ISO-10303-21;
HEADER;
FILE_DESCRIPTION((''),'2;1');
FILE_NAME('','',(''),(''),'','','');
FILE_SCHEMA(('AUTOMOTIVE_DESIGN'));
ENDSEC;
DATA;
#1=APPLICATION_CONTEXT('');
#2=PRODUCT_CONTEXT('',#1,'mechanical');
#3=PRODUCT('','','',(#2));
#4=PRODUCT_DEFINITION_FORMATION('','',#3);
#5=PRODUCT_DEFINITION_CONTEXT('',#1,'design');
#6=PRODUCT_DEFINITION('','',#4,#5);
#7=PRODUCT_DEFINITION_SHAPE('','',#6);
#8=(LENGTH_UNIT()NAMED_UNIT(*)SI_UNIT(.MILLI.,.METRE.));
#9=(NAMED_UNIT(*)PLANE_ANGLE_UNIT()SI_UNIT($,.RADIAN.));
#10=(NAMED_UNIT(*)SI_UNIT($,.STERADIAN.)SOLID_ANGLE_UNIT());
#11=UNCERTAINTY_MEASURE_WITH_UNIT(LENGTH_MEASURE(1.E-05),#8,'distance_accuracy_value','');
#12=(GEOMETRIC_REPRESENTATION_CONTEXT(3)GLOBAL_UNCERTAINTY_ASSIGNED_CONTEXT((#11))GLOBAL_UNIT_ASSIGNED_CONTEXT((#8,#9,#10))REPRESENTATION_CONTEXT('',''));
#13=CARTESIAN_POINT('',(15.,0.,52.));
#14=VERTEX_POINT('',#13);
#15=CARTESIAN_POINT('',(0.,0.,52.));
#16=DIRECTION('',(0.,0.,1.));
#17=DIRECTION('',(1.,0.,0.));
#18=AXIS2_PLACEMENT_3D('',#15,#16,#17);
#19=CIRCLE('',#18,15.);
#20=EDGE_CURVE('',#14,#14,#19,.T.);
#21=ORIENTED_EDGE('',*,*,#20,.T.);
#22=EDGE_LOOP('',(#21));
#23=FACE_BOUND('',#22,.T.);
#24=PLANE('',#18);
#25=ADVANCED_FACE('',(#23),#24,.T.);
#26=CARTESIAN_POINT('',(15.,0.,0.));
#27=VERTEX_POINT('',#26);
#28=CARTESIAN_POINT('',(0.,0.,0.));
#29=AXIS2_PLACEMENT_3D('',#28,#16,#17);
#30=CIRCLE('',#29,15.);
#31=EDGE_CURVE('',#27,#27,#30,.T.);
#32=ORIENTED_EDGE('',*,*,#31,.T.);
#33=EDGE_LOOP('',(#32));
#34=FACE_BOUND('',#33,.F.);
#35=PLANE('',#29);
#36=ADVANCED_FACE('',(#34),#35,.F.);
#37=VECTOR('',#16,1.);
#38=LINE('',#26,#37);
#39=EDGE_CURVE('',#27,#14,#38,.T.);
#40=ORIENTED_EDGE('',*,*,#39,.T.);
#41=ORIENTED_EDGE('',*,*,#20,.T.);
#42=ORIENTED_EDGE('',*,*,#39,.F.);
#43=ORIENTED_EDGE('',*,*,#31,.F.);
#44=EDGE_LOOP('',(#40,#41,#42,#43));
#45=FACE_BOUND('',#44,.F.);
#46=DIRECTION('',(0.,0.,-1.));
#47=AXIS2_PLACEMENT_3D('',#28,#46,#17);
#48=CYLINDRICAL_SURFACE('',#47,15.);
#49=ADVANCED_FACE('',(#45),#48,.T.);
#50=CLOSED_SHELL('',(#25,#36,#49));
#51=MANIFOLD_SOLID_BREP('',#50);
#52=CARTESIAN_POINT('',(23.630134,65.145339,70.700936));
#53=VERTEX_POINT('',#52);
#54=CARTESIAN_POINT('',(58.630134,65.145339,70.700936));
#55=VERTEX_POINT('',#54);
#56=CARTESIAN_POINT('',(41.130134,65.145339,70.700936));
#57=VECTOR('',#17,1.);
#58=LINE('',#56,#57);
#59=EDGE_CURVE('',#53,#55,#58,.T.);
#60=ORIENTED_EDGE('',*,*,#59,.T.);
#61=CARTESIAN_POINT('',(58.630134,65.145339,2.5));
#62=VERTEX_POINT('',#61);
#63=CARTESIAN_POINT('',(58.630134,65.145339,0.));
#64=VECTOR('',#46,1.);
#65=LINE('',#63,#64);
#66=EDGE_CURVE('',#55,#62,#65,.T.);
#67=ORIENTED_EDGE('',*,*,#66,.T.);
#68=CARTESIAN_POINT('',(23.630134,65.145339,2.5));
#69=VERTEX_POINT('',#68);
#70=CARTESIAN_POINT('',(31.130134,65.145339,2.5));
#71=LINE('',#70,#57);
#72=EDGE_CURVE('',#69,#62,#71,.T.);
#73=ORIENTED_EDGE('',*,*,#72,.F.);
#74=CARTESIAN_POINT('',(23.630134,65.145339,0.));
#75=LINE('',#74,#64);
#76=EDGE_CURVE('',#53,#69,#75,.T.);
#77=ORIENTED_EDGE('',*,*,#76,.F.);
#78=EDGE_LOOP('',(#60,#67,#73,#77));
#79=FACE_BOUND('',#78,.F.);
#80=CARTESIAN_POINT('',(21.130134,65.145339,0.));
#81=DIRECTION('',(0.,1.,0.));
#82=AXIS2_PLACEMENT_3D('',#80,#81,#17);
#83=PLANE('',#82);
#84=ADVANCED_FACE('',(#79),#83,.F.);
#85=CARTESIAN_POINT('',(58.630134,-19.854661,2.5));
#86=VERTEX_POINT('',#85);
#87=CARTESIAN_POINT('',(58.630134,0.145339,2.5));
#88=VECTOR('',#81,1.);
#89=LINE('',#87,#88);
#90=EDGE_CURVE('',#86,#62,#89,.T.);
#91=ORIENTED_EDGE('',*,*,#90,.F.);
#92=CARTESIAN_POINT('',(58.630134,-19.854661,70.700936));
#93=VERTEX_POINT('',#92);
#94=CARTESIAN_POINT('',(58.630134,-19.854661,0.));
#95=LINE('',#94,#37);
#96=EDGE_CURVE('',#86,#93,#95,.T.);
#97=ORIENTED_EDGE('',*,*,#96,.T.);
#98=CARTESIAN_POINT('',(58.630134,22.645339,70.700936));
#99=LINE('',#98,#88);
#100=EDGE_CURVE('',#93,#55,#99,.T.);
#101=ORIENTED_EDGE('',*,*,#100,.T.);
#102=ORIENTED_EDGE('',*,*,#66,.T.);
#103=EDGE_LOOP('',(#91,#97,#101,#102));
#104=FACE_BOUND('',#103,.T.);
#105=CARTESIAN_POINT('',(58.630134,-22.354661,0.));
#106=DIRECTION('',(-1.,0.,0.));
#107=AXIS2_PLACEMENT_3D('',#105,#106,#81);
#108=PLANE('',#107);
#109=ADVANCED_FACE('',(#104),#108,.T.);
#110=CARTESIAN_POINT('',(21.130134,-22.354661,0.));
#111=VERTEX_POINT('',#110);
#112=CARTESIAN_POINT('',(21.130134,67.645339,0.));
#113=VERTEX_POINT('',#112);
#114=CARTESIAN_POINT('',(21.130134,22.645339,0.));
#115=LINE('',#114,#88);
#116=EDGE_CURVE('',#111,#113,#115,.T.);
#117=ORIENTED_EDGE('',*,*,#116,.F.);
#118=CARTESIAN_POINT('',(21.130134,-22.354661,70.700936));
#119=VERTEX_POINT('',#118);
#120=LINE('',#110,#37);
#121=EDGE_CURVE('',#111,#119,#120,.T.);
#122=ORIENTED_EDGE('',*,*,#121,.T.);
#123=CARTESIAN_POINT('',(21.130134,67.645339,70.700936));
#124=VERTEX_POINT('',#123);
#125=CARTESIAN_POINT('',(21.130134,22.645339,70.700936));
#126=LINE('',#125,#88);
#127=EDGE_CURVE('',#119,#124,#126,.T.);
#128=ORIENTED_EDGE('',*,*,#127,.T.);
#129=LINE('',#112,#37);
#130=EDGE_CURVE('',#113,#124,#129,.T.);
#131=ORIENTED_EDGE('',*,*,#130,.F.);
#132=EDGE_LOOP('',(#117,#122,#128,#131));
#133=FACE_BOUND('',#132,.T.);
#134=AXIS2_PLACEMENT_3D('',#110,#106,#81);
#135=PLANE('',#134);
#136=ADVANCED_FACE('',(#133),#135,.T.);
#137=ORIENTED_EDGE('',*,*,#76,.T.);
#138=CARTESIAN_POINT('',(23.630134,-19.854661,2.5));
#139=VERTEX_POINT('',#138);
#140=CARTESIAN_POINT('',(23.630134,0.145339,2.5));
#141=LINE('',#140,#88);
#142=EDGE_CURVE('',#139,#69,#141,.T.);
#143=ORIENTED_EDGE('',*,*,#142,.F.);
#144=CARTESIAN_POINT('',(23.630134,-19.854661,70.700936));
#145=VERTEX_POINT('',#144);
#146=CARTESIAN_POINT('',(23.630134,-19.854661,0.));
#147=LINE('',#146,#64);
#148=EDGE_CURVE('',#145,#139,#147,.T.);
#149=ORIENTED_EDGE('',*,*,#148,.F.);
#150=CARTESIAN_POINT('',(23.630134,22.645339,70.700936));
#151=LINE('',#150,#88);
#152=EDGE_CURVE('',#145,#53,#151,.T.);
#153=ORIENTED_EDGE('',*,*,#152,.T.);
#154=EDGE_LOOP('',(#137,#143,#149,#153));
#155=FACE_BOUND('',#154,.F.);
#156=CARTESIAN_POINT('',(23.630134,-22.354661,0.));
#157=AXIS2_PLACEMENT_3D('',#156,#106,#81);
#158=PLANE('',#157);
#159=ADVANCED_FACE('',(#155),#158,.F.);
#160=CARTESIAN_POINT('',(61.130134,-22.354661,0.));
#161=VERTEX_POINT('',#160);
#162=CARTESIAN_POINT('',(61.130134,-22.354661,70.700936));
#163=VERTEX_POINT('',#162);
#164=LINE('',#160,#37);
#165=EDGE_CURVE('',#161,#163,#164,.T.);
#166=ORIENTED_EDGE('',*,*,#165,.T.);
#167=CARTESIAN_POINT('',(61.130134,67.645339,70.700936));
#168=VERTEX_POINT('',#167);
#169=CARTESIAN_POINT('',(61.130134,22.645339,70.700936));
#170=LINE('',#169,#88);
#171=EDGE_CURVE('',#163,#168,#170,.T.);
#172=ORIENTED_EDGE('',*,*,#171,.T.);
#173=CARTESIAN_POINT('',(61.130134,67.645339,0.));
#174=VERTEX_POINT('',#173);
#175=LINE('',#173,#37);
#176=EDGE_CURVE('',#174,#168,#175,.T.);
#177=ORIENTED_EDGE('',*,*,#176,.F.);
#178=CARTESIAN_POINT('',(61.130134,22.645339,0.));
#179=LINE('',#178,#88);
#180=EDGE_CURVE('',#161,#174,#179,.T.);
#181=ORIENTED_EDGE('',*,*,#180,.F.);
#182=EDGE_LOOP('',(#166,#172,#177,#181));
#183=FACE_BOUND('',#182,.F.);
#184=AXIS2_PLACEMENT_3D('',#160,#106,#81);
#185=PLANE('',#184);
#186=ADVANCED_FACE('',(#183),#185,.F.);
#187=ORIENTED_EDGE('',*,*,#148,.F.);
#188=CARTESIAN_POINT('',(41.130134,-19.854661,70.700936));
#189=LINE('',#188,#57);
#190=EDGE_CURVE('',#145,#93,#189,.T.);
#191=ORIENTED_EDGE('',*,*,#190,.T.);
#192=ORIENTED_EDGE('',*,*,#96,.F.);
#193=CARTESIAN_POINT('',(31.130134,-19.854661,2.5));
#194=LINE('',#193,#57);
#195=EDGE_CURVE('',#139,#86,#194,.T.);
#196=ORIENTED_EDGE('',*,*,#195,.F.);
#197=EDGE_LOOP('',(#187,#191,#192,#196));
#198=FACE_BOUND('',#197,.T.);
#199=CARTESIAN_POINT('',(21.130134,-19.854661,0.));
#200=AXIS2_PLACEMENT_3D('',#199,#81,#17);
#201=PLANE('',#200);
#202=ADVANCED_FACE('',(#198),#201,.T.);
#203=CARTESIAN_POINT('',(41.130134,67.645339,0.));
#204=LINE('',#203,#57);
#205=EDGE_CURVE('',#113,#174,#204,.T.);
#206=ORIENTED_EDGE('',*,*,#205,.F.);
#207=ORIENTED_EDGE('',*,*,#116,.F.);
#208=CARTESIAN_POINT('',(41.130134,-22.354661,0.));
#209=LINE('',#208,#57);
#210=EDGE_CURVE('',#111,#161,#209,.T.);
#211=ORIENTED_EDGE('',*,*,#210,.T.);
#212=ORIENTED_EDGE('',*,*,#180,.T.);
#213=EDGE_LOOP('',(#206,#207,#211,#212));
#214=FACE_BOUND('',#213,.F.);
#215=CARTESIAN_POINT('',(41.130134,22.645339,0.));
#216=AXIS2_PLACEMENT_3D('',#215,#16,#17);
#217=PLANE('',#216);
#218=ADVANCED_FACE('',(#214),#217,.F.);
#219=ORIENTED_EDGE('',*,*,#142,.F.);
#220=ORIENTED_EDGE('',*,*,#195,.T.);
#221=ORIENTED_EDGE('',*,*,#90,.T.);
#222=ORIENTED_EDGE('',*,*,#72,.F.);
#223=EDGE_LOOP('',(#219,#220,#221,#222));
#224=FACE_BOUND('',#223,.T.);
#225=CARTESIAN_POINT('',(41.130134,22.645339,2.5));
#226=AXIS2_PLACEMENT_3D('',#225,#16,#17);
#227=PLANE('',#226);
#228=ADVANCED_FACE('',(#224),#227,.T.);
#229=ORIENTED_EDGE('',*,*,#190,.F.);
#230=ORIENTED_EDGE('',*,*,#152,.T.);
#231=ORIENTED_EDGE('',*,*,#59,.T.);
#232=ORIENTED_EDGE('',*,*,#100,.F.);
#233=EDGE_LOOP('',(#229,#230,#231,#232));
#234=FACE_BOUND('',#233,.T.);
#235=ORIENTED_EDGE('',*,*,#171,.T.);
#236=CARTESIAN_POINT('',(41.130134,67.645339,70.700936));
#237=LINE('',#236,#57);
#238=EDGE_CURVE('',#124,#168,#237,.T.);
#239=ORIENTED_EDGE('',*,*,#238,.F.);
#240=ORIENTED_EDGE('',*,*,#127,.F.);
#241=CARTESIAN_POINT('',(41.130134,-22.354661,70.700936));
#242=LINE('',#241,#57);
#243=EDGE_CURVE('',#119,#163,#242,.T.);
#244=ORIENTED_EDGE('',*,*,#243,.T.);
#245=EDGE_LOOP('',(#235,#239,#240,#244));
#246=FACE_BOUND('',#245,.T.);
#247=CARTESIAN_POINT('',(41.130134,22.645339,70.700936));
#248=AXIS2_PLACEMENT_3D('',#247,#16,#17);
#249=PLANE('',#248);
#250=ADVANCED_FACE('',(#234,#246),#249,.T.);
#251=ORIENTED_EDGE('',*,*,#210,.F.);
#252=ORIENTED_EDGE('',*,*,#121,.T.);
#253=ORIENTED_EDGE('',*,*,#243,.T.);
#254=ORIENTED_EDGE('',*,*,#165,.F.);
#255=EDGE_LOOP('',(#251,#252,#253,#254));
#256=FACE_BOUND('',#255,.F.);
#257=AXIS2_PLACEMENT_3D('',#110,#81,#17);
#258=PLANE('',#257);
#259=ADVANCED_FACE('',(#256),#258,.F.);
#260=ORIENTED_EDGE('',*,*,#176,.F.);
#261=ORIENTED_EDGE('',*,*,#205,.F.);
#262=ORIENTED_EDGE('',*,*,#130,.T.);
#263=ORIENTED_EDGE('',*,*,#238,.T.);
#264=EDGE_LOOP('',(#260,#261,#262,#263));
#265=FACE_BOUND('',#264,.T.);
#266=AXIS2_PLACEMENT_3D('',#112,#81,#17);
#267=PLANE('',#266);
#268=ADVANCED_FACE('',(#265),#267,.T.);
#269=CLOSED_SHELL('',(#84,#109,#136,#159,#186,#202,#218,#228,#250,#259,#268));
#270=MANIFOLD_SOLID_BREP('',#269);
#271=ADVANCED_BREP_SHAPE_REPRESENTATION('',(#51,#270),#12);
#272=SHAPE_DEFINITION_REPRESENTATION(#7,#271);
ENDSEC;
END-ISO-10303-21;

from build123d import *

# Parameters (mm, degrees)
F0_R     = 15
F1_DEPTH = 52
F2_W     = 40
F2_H     = 90
F3_DEPTH = 70.700936
F4_T     = -2.5


with BuildPart() as f1:
    # F0 (on Top) → F1 (new body)
    with BuildSketch(Plane.XY):
        Circle(F0_R)
    extrude(amount=F1_DEPTH)


with BuildPart() as f3:
    # F2 (on Top) → F3 (new body)
    with BuildSketch(Plane.XY):
        with Locations((41.130134, 22.645339)):
            Rectangle(F2_W, F2_H)
    extrude(amount=F3_DEPTH)

    # F4
    f4_openings = [f3.faces().sort_by_distance(p)[0] for p in [
        (41.130134, 22.645339, 70.700936),
    ]]
    offset(amount=F4_T, openings=f4_openings)


solid = Compound([f1.part, f3.part])
